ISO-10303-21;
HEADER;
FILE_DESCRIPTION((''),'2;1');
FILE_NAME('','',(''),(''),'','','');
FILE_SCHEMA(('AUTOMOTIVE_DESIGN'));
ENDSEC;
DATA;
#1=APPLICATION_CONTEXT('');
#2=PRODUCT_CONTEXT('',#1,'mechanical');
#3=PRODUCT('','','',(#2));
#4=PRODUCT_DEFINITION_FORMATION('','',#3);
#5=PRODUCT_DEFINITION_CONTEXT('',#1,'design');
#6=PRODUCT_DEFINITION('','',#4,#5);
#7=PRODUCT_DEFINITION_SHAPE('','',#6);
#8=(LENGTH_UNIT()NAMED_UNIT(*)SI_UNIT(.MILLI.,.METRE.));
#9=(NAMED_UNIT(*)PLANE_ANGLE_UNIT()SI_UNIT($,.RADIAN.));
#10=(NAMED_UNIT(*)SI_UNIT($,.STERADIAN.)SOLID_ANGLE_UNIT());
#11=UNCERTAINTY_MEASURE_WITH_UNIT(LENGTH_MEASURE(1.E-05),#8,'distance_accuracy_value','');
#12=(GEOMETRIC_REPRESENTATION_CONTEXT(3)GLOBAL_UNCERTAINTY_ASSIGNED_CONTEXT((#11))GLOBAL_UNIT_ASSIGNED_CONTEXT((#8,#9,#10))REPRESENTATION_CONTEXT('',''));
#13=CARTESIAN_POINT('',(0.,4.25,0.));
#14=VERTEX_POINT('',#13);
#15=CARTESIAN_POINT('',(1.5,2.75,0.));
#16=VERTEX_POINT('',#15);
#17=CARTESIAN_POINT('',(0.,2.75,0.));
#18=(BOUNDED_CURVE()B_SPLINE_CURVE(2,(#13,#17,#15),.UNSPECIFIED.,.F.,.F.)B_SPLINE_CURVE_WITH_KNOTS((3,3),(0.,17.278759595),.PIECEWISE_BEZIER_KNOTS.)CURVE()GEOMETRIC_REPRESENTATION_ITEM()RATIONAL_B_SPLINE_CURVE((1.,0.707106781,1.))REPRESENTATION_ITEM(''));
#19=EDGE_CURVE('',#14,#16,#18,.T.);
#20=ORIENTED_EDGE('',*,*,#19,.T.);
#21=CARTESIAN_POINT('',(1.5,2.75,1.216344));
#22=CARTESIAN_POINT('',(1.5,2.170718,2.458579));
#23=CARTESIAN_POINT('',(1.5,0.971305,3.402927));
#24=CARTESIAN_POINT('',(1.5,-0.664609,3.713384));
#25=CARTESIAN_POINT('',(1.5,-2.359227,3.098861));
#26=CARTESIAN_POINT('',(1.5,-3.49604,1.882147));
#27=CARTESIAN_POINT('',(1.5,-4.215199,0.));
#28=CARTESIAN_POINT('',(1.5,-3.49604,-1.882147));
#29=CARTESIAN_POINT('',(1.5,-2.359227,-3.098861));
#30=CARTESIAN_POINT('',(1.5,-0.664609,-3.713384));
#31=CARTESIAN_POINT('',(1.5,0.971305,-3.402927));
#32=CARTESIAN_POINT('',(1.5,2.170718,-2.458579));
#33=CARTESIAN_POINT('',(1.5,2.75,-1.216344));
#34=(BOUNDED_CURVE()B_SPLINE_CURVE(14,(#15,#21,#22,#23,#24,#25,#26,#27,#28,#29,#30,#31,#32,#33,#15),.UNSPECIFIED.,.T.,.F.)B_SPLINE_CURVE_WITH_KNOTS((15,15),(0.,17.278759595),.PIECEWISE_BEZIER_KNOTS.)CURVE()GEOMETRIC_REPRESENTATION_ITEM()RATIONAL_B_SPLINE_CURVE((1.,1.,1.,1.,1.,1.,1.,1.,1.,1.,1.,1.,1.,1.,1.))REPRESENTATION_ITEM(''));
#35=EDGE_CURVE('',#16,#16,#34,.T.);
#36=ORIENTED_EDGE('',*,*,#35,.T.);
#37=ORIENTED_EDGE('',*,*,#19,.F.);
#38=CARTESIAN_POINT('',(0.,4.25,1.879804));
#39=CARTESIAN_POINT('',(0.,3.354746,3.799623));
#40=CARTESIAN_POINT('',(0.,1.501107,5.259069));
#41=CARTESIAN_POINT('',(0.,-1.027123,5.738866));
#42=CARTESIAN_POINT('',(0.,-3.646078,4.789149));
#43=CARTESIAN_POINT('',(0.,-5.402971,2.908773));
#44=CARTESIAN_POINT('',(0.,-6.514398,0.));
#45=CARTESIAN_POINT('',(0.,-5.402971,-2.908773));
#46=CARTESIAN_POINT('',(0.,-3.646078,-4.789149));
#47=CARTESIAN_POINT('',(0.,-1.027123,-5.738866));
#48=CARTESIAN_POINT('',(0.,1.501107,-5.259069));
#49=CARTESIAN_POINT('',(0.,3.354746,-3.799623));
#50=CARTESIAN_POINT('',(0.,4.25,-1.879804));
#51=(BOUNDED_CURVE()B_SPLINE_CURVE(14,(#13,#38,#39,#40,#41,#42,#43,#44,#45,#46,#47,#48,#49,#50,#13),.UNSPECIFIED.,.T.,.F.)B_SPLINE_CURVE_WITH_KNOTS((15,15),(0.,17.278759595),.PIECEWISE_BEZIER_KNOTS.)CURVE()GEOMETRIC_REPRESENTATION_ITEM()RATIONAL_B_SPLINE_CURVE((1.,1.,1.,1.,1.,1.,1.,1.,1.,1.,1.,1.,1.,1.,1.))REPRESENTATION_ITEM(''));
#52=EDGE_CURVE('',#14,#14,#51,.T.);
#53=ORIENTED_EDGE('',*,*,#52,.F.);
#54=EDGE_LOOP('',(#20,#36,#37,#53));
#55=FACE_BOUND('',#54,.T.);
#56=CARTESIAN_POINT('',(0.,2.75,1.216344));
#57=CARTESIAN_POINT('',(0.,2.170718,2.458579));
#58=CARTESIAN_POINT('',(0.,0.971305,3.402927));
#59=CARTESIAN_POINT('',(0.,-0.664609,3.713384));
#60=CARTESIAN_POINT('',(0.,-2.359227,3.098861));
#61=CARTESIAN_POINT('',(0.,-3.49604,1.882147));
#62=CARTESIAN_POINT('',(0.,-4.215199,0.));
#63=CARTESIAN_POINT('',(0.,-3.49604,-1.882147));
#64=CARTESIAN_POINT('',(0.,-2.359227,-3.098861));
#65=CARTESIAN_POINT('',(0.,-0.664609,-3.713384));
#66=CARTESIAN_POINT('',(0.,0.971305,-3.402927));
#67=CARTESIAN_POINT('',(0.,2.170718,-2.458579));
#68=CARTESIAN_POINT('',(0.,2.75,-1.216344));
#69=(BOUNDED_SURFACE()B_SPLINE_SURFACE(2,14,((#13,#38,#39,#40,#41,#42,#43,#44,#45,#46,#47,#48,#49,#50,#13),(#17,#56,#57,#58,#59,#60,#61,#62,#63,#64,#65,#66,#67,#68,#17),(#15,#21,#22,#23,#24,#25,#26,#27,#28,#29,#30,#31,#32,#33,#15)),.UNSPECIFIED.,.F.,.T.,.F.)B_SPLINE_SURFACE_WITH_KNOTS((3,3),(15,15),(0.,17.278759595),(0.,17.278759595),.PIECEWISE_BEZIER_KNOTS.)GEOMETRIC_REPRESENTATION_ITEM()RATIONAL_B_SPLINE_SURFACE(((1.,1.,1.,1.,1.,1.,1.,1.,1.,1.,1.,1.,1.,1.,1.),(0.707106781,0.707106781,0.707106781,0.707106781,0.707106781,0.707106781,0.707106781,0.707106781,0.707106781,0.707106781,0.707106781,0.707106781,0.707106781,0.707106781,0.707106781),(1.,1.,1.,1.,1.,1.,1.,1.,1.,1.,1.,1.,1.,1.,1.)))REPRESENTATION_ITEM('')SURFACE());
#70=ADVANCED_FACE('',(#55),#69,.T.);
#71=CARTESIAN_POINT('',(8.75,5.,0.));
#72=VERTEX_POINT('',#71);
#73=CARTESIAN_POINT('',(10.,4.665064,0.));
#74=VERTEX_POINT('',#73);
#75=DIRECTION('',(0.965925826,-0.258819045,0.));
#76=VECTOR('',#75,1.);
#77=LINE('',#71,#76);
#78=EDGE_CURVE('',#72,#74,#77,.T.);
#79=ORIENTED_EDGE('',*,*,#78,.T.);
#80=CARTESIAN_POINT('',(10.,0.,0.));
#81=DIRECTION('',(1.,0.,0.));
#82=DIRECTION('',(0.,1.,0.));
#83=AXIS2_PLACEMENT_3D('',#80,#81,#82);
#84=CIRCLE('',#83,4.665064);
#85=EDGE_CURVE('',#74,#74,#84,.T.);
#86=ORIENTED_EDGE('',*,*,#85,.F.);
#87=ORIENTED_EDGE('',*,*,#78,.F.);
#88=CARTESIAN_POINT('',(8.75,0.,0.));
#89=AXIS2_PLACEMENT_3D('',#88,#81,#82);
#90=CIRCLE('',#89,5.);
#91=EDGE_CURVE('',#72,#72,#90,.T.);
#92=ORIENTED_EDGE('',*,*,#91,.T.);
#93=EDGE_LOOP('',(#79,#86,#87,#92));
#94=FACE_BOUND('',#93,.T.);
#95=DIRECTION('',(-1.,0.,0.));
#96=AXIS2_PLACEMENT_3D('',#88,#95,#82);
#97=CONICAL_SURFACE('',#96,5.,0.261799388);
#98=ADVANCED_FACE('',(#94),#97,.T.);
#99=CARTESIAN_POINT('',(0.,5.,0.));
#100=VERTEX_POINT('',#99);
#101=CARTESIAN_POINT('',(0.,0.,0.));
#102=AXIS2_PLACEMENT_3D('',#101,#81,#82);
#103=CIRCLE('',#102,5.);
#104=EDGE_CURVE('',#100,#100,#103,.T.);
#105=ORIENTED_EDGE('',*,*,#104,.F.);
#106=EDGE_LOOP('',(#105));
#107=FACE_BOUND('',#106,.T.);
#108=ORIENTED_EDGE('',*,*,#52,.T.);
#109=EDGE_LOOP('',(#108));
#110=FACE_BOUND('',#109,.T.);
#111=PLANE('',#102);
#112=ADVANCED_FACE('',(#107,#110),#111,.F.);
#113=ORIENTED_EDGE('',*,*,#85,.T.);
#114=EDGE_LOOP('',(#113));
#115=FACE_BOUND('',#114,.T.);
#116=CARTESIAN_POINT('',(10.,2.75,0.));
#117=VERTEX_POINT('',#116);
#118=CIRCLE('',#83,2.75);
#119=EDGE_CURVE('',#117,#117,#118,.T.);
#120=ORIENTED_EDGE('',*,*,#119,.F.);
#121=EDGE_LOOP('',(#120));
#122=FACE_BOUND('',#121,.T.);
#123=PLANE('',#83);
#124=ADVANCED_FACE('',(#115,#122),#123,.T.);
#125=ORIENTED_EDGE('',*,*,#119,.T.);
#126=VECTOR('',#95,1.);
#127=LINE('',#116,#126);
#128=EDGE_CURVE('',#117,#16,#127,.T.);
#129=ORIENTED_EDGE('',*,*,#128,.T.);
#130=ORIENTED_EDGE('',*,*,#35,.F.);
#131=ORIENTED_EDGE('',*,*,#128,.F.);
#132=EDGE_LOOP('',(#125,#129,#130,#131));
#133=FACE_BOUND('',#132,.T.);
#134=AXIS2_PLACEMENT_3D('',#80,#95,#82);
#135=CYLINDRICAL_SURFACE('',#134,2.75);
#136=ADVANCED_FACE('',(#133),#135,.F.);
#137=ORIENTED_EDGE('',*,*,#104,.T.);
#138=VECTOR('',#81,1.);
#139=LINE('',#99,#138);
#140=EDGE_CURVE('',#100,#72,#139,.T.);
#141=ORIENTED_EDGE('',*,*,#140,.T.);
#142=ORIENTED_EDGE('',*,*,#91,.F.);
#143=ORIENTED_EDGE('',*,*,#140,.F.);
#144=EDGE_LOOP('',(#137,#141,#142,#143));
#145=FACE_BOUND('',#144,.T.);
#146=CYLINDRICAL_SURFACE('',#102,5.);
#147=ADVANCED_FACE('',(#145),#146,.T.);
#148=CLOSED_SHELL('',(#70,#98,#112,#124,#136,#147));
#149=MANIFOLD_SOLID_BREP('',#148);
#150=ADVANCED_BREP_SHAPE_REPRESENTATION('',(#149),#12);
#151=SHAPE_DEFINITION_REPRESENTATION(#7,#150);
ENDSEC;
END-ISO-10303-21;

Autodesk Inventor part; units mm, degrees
ref_plane "YZ Plane" through (0, 0, 0) normal (1, 0, 0) x (0, 1, 0)
ref_plane "XZ Plane" through (0, 0, 0) normal (0, 1, 0) x (-1, 0, 0)
ref_plane "XY Plane" through (0, 0, 0) normal (0, 0, 1) x (1, 0, 0)
sketch "Skizze1" plane through (0, 0, 0) normal (0, 0, 1) x (1, 0, 0)
  line L0 (0, 2.75) -> (0, 5)
  line L1 (0, 5) -> (10, 5)
  line L2 (10, 5) -> (10, 2.75)
  line L3 (10, 2.75) -> (0, 2.75)
  line L4 (-9.5331, 0) -> (16.2451, 0)
  line L5 (-14.6887, 0) -> (21.4008, 0) projected
  line L6 (0, -0.7) -> (0, 4.2) projected
  dimension "d0" = 10
  dimension "d1" = 5.5
  dimension "d2" = 10
revolve "Körper" add sketch "Skizze1" angle 360 about axis through (-9.5331, 0, 0) along (1, 0, 0)
chamfer "Fase1" distance 1.25 angle 15 1 edges at (10, -5, 0) measured on face at (3.3333, 4.9353, -0.8021)
fillet "Rundung1" radius 1.5 1 edges at (0, -2.75, 0)
equation "\"d6\" = PHH"
equation "\"d7\" = ANG"
equation "\"d13\" = PHH"
equation "\"d11\" = RR"
equation "\"d0\" = SD2"
equation "\"d1\" = NND"
equation "\"d2\" = NLG"
equation "\"NLG\" = 10"
equation "\"NND\" = 5.5"
equation "\"SD2\" = 10"
equation "\"PHH\" = 1.25"
equation "\"ANG\" = 15deg"
equation "\"RR\" = 1.5"
equation "\"NNDMAX\" = 6"
equation "\"NNDMIN\" = 5.1"
equation "\"SEWI\" = 30deg"
properties part number "DIN 179 - A 5,5 x 10" material "Stahl, weich"
